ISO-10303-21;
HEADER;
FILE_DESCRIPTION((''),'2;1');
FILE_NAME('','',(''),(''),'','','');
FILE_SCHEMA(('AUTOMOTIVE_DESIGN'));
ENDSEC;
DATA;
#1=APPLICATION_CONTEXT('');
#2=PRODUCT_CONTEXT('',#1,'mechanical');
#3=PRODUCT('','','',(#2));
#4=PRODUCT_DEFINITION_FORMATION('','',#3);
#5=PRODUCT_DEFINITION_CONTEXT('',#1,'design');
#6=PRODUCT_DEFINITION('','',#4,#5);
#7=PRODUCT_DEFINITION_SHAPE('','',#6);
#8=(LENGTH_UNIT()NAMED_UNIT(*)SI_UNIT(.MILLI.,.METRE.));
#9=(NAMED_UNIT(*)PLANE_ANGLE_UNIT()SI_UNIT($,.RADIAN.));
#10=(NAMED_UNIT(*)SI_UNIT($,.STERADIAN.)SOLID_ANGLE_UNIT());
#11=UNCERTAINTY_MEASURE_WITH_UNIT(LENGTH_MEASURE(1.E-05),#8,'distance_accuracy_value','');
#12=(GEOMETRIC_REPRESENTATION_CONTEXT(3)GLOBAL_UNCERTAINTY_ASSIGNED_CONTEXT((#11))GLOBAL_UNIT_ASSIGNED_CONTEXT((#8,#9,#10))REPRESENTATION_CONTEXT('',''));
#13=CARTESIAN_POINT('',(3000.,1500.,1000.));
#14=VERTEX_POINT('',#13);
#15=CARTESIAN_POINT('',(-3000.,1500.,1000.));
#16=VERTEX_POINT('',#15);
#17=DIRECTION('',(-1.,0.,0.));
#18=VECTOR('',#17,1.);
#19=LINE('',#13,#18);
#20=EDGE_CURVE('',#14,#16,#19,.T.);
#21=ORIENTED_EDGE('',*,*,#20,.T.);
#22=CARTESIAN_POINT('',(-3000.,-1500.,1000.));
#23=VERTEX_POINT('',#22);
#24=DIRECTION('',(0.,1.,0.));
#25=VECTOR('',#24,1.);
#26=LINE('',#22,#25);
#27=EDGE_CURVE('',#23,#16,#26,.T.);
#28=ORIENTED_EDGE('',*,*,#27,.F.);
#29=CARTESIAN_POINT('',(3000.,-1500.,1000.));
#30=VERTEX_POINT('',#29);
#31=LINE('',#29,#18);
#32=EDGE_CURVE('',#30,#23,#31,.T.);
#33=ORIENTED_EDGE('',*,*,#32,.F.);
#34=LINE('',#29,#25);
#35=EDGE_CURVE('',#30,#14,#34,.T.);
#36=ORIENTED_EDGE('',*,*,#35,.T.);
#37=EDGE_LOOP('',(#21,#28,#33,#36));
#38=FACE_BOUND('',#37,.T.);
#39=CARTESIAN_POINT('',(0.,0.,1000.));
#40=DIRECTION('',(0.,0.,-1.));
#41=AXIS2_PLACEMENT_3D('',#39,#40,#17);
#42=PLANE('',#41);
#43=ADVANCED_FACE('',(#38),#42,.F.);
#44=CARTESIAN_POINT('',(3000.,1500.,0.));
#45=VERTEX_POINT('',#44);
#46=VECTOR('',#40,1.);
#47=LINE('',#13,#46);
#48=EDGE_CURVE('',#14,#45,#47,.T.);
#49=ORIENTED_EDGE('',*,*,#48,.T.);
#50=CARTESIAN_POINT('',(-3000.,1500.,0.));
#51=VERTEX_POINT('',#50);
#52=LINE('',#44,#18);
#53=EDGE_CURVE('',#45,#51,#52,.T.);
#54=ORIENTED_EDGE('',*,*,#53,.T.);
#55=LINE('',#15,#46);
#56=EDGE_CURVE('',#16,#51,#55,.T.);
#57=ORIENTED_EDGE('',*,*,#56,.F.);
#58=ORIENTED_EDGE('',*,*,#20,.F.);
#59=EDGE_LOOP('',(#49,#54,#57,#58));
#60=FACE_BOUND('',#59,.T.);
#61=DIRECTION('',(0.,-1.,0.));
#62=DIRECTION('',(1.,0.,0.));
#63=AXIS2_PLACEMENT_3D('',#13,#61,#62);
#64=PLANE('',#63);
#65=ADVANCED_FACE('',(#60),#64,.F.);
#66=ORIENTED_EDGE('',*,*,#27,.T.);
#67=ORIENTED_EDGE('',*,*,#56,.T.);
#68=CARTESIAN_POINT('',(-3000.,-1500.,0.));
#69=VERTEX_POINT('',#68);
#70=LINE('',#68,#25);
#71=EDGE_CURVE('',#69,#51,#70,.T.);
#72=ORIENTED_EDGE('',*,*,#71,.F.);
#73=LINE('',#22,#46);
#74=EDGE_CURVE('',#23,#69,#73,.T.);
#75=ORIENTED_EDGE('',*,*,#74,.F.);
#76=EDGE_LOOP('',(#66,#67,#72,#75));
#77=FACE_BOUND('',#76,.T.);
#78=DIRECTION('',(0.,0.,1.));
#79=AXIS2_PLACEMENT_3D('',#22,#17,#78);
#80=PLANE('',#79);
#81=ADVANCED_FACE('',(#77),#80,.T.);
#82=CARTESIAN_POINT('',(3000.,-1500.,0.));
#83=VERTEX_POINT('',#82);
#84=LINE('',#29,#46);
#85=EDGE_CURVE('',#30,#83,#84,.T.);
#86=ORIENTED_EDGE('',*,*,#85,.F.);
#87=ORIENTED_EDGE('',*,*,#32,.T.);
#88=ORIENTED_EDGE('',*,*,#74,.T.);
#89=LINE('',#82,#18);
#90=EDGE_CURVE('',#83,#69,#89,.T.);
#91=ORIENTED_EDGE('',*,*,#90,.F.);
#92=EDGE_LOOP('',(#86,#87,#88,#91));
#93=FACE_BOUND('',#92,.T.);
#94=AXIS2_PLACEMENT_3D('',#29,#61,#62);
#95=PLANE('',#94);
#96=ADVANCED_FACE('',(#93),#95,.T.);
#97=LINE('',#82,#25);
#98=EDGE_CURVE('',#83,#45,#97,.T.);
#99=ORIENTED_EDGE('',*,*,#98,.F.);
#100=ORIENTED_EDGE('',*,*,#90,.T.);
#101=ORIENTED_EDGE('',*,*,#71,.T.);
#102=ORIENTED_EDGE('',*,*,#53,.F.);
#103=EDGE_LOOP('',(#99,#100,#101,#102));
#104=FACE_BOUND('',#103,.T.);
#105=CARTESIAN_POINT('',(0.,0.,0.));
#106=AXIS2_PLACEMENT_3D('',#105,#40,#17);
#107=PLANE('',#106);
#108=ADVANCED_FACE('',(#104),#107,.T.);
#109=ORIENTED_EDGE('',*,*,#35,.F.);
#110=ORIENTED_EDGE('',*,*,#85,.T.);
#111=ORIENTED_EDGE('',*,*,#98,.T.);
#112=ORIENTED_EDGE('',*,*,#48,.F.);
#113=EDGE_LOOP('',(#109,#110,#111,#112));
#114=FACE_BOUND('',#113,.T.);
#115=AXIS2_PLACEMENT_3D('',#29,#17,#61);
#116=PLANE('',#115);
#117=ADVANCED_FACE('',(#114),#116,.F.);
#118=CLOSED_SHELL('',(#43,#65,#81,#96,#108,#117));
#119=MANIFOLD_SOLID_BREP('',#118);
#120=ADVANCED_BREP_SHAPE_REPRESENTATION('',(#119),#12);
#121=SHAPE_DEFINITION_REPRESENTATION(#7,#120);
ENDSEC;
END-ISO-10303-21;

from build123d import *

# Parameters (mm, degrees)
SKETCH1_W           = 6000
SKETCH1_H           = 3000
BOSS_EXTRUDE1_DEPTH = 1000


with BuildPart() as part:
    # Sketch1 → Boss-Extrude1 (new body)
    with BuildSketch(Plane.XY):
        Rectangle(SKETCH1_W, SKETCH1_H)
    extrude(amount=BOSS_EXTRUDE1_DEPTH)


solid = part.part
